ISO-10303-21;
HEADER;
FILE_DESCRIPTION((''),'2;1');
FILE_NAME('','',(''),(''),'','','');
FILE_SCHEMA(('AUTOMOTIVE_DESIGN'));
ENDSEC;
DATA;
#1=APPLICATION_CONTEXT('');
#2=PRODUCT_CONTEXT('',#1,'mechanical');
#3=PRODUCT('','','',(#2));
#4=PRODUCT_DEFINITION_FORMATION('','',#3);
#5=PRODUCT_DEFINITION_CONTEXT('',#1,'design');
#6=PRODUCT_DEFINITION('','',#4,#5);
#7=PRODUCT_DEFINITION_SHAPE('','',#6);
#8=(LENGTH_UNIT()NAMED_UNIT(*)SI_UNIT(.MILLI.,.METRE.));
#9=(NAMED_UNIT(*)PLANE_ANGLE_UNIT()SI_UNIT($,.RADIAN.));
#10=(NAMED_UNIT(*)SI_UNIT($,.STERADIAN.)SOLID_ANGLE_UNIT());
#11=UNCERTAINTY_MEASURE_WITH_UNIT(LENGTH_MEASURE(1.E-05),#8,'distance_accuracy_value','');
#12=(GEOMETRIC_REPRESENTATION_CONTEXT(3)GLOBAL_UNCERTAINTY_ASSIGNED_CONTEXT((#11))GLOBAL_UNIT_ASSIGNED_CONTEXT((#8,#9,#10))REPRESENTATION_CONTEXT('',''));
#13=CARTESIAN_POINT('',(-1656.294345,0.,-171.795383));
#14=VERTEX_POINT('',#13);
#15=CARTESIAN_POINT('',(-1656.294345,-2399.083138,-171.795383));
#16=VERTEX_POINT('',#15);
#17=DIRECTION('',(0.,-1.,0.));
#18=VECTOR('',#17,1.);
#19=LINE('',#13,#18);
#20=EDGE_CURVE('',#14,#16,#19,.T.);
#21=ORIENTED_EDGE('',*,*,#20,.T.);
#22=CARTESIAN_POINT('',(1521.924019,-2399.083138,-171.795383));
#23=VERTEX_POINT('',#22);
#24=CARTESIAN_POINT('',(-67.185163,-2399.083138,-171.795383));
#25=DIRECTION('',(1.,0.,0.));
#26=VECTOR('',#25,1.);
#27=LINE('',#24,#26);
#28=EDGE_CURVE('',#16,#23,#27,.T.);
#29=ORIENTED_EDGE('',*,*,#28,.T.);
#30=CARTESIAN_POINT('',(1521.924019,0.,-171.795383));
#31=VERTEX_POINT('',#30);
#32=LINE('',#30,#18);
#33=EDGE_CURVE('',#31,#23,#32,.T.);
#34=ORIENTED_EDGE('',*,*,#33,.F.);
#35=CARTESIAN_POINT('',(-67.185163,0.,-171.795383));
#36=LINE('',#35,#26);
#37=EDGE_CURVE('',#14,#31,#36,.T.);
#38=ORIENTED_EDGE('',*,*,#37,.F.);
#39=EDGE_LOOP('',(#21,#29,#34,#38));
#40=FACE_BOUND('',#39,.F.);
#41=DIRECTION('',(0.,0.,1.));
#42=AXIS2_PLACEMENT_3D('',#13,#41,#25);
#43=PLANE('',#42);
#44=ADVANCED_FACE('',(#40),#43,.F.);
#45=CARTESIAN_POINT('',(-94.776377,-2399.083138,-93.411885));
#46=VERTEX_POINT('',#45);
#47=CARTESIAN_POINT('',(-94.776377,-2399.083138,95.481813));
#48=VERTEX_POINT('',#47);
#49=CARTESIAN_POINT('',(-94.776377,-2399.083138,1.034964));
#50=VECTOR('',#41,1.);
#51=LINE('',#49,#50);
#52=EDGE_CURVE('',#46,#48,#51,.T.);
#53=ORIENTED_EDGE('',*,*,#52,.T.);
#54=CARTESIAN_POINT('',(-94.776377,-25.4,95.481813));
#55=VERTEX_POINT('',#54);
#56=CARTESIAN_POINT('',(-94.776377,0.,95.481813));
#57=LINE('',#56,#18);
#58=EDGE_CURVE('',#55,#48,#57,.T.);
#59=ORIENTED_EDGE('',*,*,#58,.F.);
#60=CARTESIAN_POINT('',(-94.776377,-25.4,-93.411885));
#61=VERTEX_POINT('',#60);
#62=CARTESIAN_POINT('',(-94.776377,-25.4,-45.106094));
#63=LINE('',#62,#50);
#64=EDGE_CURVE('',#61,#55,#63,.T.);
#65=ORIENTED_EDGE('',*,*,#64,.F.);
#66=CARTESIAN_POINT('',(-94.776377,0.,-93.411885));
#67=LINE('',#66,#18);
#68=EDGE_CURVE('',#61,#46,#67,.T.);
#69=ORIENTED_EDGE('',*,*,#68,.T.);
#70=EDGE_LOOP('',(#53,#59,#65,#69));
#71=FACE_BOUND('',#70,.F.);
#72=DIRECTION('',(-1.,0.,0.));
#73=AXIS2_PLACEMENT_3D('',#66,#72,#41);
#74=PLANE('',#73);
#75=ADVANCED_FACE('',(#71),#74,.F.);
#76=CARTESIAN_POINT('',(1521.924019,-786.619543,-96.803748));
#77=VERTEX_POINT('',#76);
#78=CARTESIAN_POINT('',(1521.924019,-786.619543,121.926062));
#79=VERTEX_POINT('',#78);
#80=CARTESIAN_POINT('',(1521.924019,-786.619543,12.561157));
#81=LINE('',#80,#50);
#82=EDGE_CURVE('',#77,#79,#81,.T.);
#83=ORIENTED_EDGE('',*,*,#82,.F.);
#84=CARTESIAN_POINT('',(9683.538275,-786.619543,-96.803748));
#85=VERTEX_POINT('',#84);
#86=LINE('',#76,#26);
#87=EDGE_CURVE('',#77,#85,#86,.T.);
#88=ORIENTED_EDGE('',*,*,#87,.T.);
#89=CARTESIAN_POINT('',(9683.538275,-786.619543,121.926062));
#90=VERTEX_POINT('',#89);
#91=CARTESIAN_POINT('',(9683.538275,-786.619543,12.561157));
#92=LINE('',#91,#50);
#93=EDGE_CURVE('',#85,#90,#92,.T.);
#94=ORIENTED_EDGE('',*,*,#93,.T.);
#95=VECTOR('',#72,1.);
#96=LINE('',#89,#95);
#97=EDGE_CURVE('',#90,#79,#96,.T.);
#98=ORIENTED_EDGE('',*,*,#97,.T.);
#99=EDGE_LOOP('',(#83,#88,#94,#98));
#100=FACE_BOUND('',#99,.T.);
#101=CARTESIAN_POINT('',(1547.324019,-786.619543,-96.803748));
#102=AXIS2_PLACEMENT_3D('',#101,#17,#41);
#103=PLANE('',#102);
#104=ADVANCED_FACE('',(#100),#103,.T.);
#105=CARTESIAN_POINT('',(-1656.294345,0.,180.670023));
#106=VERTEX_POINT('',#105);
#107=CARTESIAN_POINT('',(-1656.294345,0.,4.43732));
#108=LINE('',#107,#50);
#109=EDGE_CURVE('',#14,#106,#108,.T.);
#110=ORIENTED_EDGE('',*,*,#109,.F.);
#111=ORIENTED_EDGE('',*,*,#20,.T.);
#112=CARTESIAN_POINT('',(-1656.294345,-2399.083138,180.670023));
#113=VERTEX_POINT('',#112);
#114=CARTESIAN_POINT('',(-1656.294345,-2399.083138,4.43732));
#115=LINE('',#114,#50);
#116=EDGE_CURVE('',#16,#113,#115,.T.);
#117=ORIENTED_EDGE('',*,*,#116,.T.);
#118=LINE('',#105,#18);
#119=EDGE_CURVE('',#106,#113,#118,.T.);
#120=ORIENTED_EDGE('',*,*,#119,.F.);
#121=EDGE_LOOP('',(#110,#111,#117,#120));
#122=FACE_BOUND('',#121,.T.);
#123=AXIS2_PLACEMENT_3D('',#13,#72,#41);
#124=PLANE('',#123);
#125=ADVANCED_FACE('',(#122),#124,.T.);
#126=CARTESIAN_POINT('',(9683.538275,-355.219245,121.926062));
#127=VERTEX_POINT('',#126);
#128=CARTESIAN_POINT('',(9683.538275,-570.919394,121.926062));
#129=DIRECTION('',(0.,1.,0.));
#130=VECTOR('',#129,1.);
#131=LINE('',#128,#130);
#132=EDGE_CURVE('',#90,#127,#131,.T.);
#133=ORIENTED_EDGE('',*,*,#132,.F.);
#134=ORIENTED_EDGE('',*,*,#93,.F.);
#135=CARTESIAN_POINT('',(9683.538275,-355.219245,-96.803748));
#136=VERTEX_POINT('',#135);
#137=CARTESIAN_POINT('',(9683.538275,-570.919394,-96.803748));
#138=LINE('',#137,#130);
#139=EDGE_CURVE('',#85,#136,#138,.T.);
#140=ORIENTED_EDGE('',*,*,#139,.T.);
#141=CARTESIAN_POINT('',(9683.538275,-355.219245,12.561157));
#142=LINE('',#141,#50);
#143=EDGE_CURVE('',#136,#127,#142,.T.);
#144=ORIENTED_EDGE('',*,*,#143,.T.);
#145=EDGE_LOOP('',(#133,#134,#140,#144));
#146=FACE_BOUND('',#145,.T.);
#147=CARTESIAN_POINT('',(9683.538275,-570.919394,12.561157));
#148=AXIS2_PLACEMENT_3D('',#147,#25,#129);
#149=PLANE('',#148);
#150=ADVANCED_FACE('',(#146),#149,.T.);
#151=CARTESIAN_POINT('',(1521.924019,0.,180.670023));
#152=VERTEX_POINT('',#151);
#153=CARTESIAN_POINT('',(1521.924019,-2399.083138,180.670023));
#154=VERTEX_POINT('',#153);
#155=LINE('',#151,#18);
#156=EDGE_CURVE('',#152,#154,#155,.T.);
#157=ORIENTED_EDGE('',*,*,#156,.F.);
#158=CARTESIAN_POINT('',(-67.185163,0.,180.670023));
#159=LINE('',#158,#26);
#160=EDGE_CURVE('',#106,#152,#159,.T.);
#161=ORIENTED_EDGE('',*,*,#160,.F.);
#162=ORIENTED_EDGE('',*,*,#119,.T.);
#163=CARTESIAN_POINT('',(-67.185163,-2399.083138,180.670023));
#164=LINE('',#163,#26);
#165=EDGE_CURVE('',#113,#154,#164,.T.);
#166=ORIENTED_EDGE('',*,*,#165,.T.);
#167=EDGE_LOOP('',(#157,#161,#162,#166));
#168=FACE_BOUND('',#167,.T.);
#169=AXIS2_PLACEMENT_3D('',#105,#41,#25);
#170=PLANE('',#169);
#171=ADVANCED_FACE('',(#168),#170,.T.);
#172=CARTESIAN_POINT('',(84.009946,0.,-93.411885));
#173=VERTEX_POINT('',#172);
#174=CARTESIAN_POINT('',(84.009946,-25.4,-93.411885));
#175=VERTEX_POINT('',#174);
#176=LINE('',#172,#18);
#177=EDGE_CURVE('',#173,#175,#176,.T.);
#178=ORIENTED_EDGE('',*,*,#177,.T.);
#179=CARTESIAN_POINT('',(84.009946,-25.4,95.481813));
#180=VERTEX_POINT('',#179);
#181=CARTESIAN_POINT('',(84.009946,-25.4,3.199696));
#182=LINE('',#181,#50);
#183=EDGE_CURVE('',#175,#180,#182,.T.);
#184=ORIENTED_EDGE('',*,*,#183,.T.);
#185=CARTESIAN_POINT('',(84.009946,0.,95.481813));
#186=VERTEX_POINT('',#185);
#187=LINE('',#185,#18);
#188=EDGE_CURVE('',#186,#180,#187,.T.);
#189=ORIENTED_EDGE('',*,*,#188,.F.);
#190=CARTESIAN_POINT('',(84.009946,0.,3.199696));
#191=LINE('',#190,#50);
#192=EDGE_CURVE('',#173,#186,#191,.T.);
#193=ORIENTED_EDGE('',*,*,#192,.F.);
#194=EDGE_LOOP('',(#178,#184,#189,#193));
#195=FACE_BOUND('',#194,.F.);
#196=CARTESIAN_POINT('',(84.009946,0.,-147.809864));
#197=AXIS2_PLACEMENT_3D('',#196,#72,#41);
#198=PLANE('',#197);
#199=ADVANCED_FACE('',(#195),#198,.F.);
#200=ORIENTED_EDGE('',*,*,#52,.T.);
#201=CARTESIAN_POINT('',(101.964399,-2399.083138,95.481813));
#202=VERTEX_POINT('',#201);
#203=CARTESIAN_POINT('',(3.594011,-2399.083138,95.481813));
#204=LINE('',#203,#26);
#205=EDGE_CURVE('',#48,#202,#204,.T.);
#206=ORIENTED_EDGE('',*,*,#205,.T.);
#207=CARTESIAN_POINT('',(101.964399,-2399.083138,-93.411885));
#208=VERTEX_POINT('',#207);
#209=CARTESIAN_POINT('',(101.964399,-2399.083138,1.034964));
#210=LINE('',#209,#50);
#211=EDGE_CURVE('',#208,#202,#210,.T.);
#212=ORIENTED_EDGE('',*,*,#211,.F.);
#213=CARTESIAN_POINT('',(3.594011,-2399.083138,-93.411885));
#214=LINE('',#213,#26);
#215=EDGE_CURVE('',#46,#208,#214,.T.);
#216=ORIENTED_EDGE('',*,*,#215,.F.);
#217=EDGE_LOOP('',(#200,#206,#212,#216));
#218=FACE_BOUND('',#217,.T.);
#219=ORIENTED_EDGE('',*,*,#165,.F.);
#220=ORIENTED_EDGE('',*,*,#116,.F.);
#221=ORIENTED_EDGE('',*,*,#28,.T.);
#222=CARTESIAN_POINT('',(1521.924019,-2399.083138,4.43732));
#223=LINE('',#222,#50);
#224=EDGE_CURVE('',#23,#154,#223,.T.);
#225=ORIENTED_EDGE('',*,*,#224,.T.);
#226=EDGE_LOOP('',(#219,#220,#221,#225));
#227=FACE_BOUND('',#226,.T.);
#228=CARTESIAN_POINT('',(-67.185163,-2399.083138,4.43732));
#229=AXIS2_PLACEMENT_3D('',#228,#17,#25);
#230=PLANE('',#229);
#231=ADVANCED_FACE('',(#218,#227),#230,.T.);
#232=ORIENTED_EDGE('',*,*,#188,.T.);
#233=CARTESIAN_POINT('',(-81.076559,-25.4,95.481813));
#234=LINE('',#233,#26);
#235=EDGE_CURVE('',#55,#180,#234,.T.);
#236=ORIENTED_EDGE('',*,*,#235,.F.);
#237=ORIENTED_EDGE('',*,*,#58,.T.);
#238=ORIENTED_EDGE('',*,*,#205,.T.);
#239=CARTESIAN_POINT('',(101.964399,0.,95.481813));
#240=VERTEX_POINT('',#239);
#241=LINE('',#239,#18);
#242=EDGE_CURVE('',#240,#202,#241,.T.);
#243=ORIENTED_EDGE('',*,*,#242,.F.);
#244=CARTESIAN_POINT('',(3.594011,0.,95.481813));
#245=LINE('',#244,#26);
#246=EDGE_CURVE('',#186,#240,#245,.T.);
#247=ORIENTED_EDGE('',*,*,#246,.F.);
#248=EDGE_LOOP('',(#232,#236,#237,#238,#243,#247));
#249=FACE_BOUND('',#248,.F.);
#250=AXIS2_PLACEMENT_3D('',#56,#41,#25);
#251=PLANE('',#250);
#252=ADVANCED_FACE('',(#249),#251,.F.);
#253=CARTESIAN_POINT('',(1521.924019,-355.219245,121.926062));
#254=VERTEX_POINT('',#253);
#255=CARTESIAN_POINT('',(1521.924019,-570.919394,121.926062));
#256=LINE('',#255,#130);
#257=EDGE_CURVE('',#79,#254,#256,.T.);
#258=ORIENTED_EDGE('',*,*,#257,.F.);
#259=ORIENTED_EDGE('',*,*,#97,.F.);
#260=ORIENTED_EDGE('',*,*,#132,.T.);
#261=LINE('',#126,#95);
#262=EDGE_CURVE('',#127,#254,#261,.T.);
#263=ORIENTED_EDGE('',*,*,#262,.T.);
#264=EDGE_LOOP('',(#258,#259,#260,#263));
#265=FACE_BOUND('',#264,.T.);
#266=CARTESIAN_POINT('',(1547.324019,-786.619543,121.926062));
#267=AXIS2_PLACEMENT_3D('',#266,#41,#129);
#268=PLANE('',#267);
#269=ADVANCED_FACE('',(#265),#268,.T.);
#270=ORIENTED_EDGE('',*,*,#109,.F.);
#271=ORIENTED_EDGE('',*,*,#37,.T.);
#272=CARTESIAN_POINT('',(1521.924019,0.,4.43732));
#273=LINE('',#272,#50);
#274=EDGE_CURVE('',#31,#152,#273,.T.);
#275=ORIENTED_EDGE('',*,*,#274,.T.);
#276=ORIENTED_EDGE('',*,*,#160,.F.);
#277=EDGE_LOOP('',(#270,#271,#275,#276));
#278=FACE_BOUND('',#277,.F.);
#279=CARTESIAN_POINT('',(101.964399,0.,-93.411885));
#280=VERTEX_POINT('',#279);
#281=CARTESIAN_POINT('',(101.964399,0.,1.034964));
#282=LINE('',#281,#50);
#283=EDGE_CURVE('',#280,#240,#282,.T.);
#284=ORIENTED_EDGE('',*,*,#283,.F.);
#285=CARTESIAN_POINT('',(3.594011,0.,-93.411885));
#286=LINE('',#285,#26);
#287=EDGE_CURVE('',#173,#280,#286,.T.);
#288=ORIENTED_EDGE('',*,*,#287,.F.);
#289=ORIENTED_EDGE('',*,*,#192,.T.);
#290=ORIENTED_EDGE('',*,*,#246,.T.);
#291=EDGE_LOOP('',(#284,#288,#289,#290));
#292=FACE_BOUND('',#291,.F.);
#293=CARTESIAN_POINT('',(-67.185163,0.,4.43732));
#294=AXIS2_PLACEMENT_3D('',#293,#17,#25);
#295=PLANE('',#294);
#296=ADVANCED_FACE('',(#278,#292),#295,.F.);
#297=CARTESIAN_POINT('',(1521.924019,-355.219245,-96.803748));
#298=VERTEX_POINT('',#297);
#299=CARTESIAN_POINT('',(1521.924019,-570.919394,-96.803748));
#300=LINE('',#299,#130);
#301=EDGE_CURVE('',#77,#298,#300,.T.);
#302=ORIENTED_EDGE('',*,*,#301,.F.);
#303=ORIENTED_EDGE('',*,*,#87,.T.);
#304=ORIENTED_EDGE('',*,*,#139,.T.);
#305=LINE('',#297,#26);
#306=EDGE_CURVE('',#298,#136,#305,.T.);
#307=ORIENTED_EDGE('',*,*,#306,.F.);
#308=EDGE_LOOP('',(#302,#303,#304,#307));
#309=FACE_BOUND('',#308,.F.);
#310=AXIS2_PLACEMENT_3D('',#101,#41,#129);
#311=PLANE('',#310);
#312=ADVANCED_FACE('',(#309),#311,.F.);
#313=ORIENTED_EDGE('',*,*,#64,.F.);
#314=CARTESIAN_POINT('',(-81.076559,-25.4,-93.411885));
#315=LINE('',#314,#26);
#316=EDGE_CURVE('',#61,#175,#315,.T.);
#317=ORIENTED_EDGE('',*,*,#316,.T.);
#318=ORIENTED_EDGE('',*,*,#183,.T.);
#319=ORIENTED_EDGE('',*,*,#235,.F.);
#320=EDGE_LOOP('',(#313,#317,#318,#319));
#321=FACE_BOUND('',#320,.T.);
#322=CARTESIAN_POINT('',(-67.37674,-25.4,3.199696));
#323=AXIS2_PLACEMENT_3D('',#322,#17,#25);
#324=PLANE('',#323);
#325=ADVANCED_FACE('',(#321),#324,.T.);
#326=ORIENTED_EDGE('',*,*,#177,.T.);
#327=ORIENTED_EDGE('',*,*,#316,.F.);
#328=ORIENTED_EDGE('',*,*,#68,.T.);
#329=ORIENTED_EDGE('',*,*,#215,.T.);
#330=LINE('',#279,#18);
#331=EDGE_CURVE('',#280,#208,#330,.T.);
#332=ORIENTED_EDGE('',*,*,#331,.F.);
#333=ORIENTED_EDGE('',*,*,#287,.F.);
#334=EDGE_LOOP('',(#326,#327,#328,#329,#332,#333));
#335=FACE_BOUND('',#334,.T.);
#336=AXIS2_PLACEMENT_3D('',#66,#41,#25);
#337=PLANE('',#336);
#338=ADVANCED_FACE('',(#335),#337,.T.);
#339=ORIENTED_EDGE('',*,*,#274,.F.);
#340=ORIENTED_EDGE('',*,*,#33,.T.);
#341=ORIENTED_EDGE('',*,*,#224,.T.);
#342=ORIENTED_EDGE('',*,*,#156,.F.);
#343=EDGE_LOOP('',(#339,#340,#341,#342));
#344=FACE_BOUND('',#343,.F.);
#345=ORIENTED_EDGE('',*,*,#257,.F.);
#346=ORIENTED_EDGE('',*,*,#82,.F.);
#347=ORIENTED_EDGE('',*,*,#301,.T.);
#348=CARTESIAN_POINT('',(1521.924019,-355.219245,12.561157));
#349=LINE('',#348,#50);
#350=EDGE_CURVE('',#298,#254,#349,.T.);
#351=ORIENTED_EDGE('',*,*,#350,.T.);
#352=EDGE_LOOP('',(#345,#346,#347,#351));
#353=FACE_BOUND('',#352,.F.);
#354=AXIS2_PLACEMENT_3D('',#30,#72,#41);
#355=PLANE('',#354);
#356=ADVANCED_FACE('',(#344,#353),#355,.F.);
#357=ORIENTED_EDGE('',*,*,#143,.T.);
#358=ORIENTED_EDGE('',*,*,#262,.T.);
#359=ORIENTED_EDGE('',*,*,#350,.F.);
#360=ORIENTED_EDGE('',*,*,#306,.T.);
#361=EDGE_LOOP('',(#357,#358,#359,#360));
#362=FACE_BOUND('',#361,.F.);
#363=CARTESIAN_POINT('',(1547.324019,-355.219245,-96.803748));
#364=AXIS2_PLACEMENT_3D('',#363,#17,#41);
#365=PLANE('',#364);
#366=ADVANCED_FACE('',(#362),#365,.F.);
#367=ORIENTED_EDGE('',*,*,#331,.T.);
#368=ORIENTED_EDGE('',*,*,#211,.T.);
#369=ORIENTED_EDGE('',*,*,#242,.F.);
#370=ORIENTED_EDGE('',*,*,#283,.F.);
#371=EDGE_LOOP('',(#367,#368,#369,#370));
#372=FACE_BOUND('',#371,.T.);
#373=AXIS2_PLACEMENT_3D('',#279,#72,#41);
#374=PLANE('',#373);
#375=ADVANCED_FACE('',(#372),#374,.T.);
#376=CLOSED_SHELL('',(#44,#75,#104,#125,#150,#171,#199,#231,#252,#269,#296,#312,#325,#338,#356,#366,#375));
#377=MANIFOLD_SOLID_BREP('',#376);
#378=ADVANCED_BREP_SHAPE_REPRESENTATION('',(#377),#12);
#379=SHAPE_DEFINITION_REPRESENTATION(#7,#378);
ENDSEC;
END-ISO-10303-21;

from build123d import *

# Parameters (mm, degrees)
F0_W     = 3178.218365
F0_H     = 352.465406
F0_W_2   = 196.740776
F0_H_2   = 188.893698
F1_DEPTH = 2399.083138
F2_W     = 302.773371
F2_H     = 302.019119
F3_DEPTH = 25.4
F4_W     = 431.400299
F4_H     = 218.729809
F5_DEPTH = 25.4
F6_W     = 431.400299
F6_H     = 218.729809
F7_DEPTH = 8136.214256


with BuildPart() as f1:
    # F0 (on Front) → F1 (new body)
    with BuildSketch(Plane.XZ):
        with Locations((-67.185163, 4.43732)):
            Rectangle(F0_W, F0_H)
        with Locations((3.594011, 1.034964)):
            Rectangle(F0_W_2, F0_H_2, mode=Mode.SUBTRACT)
    extrude(amount=F1_DEPTH)

    # F2 (on Front) → F3 (join)
    with BuildSketch(Plane.XZ):
        with Locations((-67.37674, 3.199696)):
            Rectangle(F2_W, F2_H)
    extrude(amount=F3_DEPTH)

    # F4 (on face) → F5 (join)
    with BuildSketch(Plane.YZ.offset(1521.924019)):
        with Locations((-570.919394, 12.561157)):
            Rectangle(F4_W, F4_H)
    extrude(amount=F5_DEPTH)

    # F6 (on face) → F7 (join)
    with BuildSketch(Plane.YZ.offset(1547.324019)):
        with Locations((-570.919394, 12.561157)):
            Rectangle(F6_W, F6_H)
    extrude(amount=F7_DEPTH)


solid = f1.part
